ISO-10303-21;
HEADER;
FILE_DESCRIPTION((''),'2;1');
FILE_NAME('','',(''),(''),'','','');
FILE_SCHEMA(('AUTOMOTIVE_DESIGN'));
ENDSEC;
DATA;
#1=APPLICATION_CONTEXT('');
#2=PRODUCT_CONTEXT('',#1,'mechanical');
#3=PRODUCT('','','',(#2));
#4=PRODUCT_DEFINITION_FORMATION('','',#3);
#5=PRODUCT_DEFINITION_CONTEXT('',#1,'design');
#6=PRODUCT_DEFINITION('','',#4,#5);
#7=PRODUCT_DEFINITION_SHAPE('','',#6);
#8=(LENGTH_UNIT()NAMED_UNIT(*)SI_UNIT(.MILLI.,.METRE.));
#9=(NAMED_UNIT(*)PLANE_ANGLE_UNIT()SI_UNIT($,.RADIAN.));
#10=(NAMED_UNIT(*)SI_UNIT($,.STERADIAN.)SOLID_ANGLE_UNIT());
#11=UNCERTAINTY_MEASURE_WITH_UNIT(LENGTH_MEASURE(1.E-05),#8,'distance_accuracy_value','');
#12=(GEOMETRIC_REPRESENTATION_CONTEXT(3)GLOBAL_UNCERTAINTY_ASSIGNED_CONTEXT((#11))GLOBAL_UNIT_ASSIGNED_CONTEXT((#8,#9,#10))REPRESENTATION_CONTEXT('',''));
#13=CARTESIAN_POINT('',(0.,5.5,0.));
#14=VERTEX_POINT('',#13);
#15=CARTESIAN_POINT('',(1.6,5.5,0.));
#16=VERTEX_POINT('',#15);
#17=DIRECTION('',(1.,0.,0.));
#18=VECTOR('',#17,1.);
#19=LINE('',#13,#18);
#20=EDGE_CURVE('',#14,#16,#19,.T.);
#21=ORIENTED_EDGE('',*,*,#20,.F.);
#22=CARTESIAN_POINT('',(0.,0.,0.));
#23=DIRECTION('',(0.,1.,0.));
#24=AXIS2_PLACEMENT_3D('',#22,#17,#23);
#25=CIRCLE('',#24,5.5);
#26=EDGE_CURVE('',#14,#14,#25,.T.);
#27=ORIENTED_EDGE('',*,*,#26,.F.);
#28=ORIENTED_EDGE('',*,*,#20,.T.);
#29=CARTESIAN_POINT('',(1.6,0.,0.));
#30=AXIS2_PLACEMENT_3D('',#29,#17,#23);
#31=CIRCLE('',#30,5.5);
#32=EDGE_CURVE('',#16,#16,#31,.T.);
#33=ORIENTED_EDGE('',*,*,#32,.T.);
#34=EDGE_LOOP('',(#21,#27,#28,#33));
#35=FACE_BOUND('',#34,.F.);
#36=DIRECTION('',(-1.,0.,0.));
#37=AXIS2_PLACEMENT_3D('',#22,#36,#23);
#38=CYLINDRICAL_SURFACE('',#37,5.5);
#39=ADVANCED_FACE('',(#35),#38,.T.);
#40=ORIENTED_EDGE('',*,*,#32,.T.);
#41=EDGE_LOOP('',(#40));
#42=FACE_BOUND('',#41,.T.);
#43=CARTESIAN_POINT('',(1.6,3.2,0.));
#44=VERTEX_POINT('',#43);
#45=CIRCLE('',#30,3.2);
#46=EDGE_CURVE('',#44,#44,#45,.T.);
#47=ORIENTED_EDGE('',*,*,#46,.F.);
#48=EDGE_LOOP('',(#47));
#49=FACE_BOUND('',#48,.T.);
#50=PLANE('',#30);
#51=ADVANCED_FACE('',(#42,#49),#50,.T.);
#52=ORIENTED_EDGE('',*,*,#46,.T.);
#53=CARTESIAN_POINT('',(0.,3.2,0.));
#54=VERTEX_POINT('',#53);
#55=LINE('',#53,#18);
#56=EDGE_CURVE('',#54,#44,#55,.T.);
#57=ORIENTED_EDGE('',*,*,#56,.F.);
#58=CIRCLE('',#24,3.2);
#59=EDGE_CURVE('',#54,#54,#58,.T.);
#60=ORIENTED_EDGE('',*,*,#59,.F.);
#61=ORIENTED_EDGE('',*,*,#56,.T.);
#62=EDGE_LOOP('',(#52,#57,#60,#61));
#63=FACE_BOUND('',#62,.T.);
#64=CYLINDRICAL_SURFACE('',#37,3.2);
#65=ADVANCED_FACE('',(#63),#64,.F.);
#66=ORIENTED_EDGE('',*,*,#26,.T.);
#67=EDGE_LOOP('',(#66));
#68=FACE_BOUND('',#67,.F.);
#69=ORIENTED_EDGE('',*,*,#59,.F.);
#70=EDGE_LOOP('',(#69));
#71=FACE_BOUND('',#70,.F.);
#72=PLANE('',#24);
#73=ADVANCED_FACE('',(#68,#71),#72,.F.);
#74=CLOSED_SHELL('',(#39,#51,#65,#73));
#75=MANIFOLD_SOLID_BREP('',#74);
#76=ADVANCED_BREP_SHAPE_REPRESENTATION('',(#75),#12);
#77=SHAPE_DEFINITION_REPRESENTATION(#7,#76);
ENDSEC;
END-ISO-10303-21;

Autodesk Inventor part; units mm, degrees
ref_plane "YZ Plane" through (0, 0, 0) normal (1, 0, 0) x (0, 1, 0)
ref_plane "XZ Plane" through (0, 0, 0) normal (0, 1, 0) x (-1, 0, 0)
sketch "Skizze" plane through (0, 0, 0) normal (1, 0, 0) x (0, 1, 0)
  circle A0 centre (0, 0) radius 5.5
  circle A1 centre (0, 0) radius 3.2
  dimension "d0" = 6.4
  dimension "d1" = 11
extrude "Körper" add sketch "Skizze" along normal blind 1.6
ref_plane "Work Plane1" through (0, 0, 0) normal (0, 0, 1) x (1, 0, 0)
equation "\"d0\" = SD1"
equation "\"d1\" = SD2"
equation "\"d2\" = SD"
equation "\"SD1\" = 6.4"
equation "\"SD2\" = 11"
equation "\"SD\" = 1.6"
equation "\"NND\" = 6"
properties part number "DIN 433 - 6,4" material "Stahl, weich"
